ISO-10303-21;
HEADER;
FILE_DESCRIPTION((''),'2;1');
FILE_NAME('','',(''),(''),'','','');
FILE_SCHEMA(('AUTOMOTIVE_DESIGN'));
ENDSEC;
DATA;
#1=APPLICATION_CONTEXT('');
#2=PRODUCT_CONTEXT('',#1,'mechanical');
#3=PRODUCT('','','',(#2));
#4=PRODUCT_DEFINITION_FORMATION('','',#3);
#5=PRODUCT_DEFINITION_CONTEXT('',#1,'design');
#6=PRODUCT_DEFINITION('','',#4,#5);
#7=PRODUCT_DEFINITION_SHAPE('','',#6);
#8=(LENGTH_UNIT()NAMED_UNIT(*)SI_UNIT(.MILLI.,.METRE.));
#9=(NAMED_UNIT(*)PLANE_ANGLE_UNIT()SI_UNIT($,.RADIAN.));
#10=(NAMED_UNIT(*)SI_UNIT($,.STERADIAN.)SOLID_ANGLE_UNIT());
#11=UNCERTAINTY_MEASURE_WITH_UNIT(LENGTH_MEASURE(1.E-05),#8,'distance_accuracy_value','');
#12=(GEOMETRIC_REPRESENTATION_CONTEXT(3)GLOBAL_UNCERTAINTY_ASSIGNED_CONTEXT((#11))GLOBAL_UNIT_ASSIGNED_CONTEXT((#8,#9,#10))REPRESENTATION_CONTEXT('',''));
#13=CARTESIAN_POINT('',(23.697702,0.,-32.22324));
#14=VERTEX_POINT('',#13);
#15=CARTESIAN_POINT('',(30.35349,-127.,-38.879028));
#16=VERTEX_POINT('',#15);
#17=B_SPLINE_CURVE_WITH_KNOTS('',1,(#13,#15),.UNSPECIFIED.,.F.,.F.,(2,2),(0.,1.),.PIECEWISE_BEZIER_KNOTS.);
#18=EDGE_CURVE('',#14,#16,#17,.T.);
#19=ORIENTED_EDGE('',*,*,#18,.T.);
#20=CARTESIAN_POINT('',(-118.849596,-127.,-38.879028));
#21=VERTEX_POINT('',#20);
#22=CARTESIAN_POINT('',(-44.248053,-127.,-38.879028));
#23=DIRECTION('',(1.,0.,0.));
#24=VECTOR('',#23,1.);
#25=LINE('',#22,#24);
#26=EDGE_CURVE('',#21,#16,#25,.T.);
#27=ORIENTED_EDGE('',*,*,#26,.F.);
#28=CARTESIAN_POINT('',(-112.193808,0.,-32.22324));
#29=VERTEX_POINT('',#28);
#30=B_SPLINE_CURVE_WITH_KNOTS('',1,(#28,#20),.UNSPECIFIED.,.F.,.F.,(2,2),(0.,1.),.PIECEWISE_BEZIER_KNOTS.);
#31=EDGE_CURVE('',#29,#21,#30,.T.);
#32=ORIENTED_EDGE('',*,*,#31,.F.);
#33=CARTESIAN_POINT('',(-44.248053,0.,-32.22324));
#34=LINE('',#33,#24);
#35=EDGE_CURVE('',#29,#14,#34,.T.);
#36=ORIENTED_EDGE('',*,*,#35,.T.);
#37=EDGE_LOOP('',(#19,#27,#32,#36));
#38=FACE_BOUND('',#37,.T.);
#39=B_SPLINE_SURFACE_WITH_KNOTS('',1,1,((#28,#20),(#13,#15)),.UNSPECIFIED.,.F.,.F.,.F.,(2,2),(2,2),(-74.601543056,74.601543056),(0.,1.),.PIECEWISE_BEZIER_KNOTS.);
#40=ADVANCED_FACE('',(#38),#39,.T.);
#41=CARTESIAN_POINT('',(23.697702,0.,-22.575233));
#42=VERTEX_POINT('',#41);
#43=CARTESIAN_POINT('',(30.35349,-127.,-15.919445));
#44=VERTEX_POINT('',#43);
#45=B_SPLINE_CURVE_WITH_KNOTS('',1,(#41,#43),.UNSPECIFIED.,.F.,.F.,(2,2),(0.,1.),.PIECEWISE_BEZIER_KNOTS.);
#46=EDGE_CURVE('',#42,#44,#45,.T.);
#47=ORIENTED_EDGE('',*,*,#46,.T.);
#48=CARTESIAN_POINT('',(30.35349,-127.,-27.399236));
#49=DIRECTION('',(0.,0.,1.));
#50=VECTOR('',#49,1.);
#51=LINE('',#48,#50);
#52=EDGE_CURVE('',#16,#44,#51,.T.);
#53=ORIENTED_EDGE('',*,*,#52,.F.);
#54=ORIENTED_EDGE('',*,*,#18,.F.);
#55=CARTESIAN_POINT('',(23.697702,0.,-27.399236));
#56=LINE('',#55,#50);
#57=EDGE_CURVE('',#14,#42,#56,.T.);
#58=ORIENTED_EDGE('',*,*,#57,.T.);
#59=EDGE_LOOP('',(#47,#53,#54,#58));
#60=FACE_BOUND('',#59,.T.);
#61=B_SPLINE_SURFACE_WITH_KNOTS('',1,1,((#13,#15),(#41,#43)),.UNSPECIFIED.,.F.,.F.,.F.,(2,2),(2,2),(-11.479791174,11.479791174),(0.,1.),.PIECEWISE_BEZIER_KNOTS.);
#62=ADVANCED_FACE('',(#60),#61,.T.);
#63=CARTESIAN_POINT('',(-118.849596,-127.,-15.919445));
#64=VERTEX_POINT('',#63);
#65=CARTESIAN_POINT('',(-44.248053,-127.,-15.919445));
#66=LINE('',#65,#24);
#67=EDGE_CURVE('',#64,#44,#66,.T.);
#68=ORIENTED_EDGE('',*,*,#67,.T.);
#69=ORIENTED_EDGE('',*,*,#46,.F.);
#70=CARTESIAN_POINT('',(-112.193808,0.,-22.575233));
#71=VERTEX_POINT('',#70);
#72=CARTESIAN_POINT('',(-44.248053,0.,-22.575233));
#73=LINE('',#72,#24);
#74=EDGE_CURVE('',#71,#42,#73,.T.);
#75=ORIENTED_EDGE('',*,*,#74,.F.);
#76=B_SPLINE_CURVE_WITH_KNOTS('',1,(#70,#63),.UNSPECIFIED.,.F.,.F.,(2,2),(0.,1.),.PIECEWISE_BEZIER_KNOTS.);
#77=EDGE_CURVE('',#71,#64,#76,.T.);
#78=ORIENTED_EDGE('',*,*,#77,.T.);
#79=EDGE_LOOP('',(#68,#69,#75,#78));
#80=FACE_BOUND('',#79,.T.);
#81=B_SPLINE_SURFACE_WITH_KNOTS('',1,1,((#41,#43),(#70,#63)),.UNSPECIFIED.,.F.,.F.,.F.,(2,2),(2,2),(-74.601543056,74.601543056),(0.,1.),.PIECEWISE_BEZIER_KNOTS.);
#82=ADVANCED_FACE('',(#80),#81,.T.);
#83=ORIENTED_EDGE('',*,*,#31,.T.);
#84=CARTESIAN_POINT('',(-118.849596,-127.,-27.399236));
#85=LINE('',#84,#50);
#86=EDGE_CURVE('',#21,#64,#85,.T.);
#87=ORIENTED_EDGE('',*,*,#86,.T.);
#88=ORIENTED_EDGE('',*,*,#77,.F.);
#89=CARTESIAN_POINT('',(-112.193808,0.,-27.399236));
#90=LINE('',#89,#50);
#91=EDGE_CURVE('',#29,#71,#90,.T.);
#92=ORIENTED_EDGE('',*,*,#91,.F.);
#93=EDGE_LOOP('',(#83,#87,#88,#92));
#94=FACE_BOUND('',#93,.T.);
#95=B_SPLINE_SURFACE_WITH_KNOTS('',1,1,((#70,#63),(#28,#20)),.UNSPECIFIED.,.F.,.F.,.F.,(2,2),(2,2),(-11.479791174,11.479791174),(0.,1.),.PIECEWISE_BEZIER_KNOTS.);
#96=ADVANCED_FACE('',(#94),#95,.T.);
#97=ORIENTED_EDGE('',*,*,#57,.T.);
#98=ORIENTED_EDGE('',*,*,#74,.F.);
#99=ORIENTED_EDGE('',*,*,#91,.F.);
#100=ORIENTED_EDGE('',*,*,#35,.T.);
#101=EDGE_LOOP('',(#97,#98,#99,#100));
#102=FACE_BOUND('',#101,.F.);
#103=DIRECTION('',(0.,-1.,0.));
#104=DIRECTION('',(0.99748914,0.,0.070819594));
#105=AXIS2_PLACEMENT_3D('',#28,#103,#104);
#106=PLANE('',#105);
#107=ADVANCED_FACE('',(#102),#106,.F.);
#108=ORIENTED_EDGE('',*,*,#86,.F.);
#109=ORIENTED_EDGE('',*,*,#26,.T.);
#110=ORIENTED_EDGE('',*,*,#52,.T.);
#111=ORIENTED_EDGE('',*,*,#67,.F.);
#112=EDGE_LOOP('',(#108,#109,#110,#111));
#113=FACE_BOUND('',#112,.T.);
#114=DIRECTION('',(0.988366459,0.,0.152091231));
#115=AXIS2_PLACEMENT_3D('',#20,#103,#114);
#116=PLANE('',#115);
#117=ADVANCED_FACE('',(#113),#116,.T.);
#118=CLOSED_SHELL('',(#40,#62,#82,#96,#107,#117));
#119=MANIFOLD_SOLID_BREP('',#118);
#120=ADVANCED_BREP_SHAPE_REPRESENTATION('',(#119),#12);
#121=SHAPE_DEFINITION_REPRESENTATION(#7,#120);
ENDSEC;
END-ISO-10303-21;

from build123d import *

# Parameters (mm, degrees)
F0_W     = 135.8915101737
F0_H     = 9.6480064094
F1_DEPTH = 127
F1_TAPER = -3


with BuildPart() as f1:
    # F0 (on Front) → F1 (new body)
    with BuildSketch(Plane.XZ):
        with Locations((-44.2480528727, -27.3992363364)):
            Rectangle(F0_W, F0_H)
    extrude(amount=F1_DEPTH, taper=F1_TAPER)


solid = f1.part
